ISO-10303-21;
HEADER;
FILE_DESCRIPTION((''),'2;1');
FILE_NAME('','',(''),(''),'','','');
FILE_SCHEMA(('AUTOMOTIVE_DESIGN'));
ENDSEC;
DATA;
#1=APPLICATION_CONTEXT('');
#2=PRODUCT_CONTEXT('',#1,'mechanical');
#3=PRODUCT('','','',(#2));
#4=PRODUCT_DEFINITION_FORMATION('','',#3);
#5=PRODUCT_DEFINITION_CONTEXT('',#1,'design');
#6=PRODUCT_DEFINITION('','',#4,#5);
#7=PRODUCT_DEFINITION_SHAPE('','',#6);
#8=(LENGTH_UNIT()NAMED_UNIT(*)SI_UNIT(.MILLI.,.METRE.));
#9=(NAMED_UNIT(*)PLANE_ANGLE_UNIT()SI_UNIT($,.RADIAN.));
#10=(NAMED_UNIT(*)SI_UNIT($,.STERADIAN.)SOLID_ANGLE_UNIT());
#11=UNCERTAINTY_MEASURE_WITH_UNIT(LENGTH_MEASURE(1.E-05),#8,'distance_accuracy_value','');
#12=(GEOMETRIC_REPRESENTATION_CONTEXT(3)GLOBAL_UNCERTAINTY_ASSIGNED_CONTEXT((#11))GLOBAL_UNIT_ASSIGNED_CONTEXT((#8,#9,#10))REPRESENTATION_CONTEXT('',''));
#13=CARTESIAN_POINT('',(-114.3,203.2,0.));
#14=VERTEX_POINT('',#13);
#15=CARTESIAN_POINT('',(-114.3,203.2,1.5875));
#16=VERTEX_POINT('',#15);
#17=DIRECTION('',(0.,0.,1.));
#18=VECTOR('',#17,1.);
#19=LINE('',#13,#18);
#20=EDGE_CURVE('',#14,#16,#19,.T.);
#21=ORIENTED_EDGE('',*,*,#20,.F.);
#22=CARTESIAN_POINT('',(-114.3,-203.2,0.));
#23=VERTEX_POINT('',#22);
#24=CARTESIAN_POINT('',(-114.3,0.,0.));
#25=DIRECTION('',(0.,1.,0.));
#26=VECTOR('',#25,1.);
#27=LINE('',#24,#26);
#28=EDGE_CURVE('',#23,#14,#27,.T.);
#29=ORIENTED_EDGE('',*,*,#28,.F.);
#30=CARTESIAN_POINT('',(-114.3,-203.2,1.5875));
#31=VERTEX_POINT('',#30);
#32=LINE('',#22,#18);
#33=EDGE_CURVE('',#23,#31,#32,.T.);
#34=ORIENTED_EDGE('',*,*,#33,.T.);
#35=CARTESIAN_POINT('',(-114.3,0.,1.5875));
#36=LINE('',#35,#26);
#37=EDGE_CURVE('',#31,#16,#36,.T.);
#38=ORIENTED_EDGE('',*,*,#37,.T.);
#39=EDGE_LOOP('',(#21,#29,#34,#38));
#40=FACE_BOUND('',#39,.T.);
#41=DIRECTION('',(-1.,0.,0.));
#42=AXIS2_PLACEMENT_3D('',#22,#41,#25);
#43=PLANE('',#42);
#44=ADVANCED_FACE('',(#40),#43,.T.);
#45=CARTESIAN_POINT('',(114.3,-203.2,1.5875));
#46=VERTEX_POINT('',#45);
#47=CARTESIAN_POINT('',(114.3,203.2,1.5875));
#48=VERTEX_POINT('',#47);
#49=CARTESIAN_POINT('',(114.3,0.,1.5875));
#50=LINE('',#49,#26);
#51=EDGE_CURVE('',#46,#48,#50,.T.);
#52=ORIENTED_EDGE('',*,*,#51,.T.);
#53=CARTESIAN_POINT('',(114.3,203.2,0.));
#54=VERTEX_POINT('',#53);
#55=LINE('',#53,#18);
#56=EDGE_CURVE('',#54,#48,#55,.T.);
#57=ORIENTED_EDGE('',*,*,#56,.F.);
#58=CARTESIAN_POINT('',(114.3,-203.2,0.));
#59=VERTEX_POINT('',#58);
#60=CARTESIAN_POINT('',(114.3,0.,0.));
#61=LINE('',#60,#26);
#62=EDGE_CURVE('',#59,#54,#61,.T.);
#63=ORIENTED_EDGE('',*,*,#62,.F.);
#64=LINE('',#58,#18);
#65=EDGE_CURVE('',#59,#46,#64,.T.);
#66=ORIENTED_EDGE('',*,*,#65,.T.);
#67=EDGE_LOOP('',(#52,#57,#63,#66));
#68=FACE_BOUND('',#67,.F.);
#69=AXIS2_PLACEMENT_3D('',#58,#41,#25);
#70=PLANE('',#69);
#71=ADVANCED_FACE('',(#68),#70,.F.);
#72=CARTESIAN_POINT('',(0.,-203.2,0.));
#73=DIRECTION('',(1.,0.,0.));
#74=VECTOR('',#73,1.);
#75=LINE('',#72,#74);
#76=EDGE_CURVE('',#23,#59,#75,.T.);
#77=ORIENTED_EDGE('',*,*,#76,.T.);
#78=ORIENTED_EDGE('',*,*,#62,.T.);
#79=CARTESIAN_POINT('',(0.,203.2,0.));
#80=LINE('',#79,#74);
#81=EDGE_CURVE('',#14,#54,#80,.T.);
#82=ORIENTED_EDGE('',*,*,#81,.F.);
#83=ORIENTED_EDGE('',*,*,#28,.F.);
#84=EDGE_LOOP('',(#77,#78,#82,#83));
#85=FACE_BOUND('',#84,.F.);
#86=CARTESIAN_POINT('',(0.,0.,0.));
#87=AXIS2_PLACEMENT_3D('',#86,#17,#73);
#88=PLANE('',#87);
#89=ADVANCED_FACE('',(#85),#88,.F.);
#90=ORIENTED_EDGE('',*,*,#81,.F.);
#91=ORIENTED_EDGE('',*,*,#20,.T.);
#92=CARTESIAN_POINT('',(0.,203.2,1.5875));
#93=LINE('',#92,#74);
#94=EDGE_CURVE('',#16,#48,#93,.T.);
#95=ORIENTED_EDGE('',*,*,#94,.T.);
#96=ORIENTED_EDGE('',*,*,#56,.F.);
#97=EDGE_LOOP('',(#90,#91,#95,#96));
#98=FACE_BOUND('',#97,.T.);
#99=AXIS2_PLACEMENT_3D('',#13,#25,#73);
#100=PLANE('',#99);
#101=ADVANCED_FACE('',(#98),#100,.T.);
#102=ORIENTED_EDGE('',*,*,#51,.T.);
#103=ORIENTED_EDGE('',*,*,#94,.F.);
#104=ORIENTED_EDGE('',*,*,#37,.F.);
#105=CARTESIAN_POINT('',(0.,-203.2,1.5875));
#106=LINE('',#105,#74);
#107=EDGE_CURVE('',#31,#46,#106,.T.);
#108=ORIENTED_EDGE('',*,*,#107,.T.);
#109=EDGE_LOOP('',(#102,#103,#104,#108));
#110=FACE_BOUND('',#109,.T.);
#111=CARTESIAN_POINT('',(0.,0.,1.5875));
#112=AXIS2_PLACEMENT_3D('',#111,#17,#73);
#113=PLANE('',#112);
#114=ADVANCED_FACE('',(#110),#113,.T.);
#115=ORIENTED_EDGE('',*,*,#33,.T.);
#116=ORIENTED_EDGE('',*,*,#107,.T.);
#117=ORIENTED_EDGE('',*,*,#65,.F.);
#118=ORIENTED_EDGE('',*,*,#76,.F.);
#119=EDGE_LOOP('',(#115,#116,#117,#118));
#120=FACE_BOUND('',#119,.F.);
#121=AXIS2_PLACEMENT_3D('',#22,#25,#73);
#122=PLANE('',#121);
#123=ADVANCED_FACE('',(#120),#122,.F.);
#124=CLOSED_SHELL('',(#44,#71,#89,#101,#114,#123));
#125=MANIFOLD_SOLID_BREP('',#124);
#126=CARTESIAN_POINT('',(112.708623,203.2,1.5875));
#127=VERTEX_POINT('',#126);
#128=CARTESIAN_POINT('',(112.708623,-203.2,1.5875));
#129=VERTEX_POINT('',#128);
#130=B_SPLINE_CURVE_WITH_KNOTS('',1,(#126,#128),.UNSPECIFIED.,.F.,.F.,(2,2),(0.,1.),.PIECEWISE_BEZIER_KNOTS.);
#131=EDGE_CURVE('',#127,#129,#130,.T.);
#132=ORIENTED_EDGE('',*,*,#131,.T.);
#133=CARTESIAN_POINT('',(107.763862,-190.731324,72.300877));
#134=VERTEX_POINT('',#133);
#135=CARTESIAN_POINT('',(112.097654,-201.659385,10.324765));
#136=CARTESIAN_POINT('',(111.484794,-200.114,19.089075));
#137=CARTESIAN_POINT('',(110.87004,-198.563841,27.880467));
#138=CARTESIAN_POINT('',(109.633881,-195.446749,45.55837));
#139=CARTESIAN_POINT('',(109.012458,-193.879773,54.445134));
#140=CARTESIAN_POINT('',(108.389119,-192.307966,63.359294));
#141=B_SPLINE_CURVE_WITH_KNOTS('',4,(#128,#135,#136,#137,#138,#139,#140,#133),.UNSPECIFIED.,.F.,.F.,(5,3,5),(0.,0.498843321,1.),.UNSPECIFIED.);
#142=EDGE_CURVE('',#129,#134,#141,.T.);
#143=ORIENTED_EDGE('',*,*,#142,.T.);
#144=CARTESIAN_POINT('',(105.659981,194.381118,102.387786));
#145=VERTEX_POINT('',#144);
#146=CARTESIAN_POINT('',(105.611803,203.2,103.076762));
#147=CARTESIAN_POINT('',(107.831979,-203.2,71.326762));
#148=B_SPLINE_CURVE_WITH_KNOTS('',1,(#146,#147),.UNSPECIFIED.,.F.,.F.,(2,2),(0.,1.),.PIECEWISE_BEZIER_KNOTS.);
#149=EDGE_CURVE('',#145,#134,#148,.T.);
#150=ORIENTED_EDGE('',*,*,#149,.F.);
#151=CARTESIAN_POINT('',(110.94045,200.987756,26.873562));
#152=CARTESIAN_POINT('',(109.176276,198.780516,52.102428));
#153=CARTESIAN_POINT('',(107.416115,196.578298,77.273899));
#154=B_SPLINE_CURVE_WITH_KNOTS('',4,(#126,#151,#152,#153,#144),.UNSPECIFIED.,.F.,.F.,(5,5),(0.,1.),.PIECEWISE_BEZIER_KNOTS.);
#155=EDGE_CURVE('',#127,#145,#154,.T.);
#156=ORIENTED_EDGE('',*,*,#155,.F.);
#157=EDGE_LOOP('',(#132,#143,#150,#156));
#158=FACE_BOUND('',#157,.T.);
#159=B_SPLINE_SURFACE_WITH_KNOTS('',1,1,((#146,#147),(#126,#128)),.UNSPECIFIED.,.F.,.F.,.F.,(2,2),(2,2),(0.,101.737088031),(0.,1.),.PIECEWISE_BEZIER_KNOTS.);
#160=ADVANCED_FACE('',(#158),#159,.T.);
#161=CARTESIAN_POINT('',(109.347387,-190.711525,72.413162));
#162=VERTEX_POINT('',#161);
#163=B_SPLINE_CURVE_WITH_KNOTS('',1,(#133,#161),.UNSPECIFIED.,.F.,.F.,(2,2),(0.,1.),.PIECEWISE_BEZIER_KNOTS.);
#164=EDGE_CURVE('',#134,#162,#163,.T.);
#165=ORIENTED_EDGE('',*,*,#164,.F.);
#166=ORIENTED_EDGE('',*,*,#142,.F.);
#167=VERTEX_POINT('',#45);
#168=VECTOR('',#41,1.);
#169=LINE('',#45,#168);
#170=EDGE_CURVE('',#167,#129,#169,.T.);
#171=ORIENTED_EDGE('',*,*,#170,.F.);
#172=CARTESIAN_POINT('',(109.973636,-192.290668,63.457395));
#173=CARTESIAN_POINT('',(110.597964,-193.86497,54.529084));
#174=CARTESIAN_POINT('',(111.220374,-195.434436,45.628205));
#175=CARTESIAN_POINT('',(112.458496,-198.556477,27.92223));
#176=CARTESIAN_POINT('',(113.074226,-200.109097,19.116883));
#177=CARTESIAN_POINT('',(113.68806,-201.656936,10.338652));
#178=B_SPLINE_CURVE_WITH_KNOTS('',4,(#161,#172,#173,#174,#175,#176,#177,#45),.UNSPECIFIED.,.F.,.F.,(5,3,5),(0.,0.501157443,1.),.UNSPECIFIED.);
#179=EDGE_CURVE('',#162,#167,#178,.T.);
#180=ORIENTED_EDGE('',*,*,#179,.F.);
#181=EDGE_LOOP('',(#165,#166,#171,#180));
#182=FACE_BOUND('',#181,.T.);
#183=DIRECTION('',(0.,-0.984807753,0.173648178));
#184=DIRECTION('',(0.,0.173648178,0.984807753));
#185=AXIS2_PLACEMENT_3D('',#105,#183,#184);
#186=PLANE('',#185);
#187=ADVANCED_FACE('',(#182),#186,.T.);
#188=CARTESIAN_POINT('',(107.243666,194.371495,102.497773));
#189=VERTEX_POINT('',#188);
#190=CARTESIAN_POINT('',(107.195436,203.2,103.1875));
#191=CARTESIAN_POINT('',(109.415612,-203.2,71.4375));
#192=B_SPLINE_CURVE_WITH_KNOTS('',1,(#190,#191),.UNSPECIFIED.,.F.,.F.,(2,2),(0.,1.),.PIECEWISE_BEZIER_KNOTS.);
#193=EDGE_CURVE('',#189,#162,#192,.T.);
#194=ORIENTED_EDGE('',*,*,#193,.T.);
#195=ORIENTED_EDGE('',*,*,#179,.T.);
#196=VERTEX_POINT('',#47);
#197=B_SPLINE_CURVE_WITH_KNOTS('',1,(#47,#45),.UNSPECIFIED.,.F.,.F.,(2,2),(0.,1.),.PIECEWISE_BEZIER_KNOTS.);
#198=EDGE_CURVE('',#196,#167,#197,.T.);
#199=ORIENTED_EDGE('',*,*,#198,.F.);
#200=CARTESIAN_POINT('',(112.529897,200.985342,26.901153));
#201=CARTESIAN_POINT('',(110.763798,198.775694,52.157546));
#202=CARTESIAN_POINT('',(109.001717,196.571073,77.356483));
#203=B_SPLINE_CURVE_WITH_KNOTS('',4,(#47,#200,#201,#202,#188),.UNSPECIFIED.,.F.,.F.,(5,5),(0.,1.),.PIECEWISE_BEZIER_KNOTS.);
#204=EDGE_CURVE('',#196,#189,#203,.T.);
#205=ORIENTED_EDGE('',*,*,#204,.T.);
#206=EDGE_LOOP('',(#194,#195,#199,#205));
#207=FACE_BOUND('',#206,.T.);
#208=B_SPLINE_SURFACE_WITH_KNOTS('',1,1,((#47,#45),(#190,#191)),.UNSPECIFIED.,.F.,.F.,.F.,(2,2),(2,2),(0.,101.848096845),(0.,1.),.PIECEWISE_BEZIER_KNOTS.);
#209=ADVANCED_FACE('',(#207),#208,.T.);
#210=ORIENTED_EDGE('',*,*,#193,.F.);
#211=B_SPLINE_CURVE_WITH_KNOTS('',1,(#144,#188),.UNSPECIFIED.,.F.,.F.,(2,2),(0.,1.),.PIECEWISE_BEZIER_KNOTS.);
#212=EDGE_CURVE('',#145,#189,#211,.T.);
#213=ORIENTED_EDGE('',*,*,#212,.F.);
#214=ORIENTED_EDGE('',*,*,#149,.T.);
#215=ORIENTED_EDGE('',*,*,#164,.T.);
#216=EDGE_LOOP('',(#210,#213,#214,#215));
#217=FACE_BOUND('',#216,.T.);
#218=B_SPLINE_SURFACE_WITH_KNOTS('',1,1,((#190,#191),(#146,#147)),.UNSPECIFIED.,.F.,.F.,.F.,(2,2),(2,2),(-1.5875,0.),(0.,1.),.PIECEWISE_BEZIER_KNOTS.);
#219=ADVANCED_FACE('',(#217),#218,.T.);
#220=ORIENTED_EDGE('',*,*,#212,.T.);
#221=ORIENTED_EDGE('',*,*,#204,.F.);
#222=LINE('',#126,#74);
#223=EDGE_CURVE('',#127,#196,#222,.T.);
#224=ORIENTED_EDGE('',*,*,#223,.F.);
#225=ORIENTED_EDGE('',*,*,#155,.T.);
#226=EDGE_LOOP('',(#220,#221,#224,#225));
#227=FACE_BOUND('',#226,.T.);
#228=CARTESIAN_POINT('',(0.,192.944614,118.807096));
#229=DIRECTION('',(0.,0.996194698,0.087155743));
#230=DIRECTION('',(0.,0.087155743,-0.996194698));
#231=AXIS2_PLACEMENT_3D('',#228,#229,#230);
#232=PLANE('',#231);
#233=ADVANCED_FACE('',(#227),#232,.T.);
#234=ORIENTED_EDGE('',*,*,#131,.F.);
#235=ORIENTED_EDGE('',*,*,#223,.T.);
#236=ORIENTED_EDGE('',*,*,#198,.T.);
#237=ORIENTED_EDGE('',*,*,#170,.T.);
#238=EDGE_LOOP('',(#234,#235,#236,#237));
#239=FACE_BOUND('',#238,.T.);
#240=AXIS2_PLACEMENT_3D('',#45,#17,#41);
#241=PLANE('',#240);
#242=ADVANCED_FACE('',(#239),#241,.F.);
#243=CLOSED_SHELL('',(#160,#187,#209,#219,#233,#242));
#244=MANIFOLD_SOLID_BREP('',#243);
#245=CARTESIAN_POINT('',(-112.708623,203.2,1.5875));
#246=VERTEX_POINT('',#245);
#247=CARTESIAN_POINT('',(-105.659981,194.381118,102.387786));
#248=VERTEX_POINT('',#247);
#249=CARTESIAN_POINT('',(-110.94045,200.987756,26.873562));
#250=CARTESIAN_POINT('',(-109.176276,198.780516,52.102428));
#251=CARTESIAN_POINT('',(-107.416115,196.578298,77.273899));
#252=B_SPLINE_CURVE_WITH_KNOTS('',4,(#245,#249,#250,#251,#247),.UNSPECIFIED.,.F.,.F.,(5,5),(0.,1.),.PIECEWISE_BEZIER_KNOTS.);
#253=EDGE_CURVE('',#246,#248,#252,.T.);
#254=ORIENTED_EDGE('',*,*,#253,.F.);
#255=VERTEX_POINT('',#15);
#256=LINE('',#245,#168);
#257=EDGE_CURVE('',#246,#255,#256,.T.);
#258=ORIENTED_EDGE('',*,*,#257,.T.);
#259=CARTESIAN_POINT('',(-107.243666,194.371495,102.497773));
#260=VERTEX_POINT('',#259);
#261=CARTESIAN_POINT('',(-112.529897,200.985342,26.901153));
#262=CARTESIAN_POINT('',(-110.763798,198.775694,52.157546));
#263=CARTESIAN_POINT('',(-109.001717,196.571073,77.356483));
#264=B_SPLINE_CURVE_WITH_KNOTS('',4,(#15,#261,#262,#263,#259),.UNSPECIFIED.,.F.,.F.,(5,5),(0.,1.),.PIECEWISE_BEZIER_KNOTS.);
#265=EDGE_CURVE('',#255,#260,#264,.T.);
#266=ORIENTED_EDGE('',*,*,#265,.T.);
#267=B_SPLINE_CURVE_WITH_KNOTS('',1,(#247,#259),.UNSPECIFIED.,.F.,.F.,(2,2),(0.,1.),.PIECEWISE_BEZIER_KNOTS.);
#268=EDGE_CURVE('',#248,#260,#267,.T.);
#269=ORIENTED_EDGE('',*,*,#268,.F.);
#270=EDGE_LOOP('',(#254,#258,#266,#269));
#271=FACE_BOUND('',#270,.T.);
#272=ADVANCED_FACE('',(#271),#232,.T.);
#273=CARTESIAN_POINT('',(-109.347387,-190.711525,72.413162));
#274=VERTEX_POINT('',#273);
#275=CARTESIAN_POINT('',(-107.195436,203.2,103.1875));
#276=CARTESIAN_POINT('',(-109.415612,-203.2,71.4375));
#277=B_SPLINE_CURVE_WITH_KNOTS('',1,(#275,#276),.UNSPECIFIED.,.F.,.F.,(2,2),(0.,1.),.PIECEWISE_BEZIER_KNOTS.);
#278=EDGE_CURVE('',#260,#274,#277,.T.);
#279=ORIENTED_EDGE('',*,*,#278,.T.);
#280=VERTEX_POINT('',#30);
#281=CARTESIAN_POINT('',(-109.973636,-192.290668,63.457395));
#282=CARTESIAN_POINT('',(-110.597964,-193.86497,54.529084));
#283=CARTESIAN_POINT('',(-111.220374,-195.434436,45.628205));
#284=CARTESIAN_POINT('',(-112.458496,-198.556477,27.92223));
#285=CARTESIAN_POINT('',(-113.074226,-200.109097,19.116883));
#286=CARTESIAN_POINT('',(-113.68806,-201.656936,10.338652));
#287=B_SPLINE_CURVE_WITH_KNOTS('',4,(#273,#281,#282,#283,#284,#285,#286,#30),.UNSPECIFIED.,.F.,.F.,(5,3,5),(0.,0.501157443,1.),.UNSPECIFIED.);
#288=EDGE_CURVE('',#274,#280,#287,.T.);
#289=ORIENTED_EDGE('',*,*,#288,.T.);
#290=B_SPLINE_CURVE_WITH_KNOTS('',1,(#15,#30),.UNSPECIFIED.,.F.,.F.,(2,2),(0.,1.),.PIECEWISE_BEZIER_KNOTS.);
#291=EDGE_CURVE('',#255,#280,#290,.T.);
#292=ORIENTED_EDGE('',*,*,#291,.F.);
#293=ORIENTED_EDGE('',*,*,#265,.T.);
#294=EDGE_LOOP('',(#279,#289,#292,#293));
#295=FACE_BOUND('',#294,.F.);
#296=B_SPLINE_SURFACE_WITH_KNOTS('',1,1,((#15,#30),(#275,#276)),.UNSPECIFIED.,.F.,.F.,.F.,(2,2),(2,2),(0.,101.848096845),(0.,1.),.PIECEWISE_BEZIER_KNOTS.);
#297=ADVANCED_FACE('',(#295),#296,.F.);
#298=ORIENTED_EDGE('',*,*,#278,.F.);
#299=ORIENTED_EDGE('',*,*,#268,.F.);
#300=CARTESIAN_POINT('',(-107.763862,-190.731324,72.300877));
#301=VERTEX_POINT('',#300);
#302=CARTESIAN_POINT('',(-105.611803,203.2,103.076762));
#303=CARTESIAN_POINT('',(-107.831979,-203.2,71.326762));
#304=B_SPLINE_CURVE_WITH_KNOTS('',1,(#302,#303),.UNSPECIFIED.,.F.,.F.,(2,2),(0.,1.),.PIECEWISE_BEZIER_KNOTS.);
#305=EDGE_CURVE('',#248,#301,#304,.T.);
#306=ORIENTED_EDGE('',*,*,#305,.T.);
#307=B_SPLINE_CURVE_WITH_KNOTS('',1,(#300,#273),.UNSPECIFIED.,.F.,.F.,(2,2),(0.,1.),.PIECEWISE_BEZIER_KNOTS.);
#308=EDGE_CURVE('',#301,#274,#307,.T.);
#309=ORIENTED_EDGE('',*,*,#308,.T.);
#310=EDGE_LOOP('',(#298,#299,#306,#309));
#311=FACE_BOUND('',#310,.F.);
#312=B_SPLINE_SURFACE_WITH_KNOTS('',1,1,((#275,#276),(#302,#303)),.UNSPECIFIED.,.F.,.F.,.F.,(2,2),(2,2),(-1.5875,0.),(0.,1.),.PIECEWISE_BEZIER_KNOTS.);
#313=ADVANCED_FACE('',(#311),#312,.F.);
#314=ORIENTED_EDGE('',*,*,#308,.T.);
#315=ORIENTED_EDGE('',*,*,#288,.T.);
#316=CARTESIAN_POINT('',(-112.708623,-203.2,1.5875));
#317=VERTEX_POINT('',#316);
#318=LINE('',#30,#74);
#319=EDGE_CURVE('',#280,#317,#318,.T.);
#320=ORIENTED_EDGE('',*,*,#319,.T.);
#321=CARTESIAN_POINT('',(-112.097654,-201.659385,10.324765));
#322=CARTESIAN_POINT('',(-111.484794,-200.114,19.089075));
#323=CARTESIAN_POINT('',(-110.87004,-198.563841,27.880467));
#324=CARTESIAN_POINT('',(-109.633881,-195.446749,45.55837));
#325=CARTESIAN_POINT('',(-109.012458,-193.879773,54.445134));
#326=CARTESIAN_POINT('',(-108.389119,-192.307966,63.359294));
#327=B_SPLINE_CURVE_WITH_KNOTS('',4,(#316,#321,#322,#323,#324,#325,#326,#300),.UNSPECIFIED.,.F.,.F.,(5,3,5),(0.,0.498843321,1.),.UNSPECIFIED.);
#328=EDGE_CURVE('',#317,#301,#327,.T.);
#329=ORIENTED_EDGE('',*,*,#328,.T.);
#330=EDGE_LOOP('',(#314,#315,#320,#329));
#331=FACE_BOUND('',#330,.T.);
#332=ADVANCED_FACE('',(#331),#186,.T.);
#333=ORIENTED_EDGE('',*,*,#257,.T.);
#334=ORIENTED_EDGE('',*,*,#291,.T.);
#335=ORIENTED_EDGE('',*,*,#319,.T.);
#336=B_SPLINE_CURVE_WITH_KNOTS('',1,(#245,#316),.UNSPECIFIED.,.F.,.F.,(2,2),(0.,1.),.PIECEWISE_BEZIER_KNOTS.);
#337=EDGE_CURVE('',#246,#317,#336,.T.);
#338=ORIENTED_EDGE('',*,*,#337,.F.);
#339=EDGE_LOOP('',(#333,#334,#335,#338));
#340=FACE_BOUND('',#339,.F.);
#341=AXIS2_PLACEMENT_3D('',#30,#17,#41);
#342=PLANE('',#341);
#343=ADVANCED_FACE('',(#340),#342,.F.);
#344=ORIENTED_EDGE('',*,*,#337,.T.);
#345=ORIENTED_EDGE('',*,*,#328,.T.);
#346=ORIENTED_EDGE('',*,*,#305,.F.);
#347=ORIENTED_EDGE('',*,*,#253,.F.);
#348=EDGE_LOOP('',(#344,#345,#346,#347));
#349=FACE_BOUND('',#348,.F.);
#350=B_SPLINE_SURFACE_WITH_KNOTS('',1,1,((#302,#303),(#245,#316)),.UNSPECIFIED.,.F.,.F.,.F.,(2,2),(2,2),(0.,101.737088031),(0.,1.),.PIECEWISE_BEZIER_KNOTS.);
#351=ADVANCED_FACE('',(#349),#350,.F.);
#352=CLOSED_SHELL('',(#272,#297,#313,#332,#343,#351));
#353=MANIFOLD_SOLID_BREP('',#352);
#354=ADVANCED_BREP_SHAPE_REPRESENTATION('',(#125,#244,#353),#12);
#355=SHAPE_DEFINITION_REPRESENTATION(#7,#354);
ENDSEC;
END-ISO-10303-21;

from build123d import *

# Parameters (mm, degrees)
F0_W          = 228.6
F0_H          = 406.4
F1_DEPTH      = 1.5875
F7_DEPTH      = 203.2
F7_DEPTH_BACK = 147.32


with BuildPart() as f1:
    # F0 (on Top) → F1 (new body)
    with BuildSketch(Plane.XY):
        Rectangle(F0_W, F0_H)
    extrude(amount=F1_DEPTH)


with BuildPart() as f4:
    # F2 (on face) → F4 section 0
    with BuildSketch(Plane(origin=(0, 203.2, 0), x_dir=(-1, 0, 0), z_dir=(0, 1, 0))):
        Polygon((112.7086234868, 1.5875), (114.3, 1.5875), (107.1954359065, 103.1875), (105.6118029768, 103.0767615979), align=None)
    # F3 (on face) → F4 section 1
    with BuildSketch(Plane.XZ.offset(203.2)):
        Polygon((-109.4156121857, 71.4375), (-114.3, 1.5875), (-112.7086234868, 1.5875), (-107.831979256, 71.3267615979), align=None)
    loft()


with BuildPart() as f6_1:
    # F6: instance of F4
    add(f4.part.mirror(Plane.YZ))


with BuildPart() as f7_tool:
    # F5 (on Right) → F7 (new body, two sides)
    with BuildSketch(Plane.YZ) as f7_sk:
        Polygon((192.9446142204, 118.8070958455), (203.2, 1.5875), (203.2, 118.8070958455), align=None)
        Polygon((-203.2, 88.56990411), (-203.2, 1.5875), (-187.8626553085, 88.56990411), align=None)
    extrude(amount=-F7_DEPTH)
    extrude(f7_sk.sketch, amount=F7_DEPTH_BACK)


with BuildPart() as f4_1:
    add(f4.part)

    # F7: cut by f7_tool
    add(f7_tool.part, mode=Mode.SUBTRACT)


with BuildPart() as f6_1_1:
    add(f6_1.part)

    # F7: cut by f7_tool
    add(f7_tool.part, mode=Mode.SUBTRACT)


solid = Compound([f1.part, f4_1.part, f6_1_1.part])
